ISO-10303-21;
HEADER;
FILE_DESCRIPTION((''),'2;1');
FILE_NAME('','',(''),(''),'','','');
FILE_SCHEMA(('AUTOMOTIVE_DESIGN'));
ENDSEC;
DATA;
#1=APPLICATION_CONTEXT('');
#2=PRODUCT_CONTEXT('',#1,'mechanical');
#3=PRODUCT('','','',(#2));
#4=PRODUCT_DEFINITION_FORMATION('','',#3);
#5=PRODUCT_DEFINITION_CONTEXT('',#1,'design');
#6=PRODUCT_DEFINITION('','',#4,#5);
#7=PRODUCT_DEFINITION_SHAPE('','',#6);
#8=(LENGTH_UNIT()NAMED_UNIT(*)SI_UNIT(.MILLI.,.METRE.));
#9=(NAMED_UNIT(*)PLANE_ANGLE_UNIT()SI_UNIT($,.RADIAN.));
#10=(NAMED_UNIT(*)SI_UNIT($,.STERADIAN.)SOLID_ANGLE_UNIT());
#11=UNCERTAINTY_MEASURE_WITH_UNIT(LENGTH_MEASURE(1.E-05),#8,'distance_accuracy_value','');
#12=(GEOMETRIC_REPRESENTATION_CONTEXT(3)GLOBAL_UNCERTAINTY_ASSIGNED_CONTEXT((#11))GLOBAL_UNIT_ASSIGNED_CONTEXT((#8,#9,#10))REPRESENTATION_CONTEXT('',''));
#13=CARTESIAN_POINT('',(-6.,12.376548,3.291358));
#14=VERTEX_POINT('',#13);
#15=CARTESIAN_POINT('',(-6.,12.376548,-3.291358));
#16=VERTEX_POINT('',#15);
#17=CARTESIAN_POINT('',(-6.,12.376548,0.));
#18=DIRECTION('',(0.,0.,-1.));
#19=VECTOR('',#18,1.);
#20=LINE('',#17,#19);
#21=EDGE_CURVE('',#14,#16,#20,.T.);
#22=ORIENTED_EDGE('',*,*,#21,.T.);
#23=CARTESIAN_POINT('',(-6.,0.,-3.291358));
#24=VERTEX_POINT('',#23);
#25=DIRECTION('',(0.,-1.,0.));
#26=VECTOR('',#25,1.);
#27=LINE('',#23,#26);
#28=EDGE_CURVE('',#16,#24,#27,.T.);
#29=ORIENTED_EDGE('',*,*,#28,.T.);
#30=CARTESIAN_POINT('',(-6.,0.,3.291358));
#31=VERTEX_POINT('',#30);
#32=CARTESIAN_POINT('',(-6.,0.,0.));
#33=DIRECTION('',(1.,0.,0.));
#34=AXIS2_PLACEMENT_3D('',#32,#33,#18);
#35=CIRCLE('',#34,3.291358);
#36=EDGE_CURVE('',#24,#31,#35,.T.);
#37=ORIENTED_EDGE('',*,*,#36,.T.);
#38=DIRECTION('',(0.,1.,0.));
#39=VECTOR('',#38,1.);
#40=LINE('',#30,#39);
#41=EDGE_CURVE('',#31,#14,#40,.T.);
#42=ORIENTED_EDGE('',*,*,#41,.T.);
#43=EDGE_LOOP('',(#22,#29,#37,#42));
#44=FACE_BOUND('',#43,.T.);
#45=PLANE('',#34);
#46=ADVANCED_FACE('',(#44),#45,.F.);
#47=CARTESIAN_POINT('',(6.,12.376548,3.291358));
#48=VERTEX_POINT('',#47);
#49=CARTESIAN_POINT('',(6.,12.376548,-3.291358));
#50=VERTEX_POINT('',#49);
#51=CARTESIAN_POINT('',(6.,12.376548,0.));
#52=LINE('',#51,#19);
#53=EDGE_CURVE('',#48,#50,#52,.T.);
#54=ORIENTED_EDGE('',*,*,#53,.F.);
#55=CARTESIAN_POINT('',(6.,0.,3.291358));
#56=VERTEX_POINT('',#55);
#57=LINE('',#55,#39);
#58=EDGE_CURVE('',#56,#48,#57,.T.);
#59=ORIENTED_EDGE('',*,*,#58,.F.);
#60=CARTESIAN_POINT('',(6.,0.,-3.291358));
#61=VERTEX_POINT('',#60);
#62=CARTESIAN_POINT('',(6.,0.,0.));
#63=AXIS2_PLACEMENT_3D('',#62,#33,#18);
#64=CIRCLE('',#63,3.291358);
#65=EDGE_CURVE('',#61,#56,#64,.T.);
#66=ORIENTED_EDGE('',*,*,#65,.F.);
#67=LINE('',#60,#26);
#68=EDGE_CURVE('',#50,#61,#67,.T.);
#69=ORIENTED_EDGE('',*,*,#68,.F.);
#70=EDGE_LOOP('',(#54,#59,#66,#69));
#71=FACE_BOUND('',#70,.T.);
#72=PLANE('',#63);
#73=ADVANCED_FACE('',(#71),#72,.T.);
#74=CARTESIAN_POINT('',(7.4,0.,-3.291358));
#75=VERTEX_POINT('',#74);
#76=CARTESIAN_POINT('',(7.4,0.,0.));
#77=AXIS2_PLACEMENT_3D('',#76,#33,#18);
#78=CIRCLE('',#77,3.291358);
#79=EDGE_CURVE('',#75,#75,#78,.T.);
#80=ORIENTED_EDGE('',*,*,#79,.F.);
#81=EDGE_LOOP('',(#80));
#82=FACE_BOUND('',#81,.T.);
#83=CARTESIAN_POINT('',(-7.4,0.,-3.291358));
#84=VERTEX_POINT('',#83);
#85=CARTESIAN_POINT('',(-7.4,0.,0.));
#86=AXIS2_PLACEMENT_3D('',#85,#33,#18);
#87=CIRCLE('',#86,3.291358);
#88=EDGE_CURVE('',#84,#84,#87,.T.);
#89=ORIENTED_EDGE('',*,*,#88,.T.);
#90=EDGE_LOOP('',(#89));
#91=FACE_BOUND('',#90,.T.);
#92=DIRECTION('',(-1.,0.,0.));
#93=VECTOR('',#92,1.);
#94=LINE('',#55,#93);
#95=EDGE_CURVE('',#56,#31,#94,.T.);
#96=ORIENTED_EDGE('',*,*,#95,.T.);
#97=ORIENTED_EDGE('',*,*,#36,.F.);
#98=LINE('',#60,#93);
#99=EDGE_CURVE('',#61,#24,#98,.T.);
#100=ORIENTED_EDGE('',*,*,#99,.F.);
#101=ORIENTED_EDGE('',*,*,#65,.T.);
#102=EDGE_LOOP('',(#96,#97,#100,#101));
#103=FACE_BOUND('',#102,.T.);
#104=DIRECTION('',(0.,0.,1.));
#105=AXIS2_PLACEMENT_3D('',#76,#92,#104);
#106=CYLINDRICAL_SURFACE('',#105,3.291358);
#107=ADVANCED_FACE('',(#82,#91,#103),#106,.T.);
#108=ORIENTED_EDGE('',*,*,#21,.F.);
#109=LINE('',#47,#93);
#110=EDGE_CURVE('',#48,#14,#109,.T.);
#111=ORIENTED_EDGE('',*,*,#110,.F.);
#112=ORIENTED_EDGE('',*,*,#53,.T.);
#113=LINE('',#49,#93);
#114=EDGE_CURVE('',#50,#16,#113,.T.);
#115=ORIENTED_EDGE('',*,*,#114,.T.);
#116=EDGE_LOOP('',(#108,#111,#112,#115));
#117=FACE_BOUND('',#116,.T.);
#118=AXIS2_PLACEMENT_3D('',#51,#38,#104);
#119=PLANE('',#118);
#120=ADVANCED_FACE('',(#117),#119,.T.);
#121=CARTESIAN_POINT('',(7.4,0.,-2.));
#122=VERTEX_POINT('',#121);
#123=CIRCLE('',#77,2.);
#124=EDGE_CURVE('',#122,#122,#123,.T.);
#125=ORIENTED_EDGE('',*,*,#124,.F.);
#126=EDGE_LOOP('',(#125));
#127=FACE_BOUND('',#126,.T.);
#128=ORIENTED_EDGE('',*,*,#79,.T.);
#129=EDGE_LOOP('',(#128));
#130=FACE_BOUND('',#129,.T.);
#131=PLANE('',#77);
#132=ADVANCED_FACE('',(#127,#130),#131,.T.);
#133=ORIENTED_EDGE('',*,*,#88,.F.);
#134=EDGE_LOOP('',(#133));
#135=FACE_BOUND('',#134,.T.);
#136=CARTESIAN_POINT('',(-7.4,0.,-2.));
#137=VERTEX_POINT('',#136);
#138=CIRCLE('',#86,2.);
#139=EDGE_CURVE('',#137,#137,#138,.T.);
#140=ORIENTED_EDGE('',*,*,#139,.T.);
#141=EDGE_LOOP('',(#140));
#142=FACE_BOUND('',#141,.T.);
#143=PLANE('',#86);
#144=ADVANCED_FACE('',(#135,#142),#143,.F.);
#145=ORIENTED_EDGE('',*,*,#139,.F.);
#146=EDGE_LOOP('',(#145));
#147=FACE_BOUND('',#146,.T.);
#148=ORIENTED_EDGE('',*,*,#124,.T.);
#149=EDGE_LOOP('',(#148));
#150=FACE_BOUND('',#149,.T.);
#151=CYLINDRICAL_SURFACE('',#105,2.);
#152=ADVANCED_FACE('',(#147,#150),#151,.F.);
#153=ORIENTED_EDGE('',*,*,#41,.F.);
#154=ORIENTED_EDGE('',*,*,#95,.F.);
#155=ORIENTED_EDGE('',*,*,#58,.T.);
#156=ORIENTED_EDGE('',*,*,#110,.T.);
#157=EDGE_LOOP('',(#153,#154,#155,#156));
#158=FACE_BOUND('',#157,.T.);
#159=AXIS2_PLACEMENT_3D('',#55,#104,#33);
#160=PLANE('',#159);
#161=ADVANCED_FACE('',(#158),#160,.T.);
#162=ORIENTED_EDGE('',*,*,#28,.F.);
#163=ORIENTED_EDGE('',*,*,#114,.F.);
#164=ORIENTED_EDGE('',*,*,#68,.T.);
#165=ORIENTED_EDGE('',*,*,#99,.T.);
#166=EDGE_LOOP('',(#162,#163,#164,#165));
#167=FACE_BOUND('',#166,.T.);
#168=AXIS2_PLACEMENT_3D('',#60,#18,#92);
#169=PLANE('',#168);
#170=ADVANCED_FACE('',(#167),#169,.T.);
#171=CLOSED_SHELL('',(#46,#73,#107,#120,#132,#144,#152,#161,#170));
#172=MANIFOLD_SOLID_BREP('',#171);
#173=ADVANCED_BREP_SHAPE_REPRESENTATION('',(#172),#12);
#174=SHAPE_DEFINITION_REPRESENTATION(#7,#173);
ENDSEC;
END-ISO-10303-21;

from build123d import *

# Parameters (mm, degrees)
SKETCH_1_R      = 2
EXTRUDE_1_DEPTH = 7.4
EXTRUDE_2_DEPTH = 6


with BuildPart() as part:
    # 스케치1 → 보스-돌출1 (new, symmetric)
    with BuildSketch(Plane(origin=(0, 0, 0), x_dir=(0, 0, -1), z_dir=(1, 0, 0))):
        with BuildLine():
            ThreePointArc((3.291358074, 0), (0, 3.291358074), (-3.291358074, 0))
            ThreePointArc((-3.291358074, 0), (0, -3.291358074), (3.291358074, 0))
        make_face()
        Circle(SKETCH_1_R, mode=Mode.SUBTRACT)
    extrude(amount=EXTRUDE_1_DEPTH, both=True)

    # 스케치1<3> → 보스-돌출2 (add, symmetric)
    with BuildSketch(Plane(origin=(0, 0, 0), x_dir=(0, 0, -1), z_dir=(1, 0, 0))):
        with BuildLine():
            Line((-3.291358074, 12.376548109), (-3.291358074, 0))
            ThreePointArc((-3.291358074, 0), (0, 3.291358074), (3.291358074, 0))
            Line((3.291358074, 0), (3.291358074, 12.376548109))
            Line((3.291358074, 12.376548109), (-3.291358074, 12.376548109))
        make_face()
    extrude(amount=EXTRUDE_2_DEPTH, both=True)


solid = part.part
